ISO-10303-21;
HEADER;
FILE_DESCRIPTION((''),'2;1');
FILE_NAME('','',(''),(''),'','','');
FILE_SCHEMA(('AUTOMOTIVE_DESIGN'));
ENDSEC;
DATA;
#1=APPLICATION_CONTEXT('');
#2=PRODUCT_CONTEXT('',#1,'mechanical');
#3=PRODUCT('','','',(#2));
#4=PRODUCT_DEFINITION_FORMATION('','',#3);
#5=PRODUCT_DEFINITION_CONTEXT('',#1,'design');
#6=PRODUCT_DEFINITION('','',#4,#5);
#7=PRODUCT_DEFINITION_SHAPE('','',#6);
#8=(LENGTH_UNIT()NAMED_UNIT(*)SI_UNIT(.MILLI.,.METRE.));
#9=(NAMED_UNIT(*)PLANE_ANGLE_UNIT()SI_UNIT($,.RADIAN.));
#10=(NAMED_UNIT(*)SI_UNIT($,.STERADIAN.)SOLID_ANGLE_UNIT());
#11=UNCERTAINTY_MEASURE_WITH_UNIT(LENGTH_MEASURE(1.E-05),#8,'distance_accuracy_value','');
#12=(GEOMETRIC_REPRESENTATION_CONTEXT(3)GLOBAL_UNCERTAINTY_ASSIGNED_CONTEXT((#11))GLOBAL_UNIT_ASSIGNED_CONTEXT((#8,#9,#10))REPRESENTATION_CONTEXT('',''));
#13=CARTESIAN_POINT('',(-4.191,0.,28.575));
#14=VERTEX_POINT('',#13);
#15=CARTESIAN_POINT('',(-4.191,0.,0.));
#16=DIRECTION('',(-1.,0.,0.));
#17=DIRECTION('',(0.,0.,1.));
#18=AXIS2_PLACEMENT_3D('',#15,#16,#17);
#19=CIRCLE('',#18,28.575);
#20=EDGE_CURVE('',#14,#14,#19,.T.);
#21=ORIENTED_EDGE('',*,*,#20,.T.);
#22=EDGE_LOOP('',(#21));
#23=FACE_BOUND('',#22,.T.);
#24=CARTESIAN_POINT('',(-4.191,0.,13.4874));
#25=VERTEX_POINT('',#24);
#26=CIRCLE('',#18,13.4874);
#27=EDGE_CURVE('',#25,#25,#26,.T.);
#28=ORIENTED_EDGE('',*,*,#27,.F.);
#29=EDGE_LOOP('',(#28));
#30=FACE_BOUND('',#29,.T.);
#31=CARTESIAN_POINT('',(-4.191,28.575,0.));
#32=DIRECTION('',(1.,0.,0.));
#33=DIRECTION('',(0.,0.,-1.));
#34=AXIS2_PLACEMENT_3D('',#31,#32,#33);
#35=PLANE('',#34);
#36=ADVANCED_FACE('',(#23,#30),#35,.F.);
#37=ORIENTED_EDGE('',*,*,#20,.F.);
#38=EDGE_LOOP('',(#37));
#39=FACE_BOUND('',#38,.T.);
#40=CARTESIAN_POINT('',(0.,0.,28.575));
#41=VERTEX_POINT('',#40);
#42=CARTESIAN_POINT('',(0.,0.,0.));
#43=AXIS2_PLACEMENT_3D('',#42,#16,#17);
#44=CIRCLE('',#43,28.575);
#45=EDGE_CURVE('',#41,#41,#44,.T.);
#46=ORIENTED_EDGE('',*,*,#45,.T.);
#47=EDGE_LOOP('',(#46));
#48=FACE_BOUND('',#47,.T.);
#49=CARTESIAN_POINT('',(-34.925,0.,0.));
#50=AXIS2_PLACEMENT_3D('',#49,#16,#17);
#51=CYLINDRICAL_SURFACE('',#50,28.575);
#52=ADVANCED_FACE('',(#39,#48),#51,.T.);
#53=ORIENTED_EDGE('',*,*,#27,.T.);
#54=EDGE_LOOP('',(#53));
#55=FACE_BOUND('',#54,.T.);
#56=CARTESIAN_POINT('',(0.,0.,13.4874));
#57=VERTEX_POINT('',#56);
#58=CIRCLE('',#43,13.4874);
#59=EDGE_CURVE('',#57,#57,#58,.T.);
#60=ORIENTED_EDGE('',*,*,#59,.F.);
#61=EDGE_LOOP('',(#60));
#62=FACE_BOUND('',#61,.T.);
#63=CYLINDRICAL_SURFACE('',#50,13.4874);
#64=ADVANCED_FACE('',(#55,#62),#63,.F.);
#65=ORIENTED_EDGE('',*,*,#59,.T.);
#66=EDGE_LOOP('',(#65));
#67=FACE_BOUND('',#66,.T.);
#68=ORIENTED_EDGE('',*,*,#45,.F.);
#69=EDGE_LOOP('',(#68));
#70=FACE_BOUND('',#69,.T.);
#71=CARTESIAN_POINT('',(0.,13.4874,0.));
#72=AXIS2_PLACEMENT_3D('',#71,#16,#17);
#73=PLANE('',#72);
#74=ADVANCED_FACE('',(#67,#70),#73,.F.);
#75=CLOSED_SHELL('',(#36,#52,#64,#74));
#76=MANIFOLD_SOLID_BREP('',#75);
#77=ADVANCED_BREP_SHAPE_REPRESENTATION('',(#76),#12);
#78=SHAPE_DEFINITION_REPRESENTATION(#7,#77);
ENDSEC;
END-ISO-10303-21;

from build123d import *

# Parameters (mm, degrees)
SKETCH1_W = 4.191
SKETCH1_H = 15.0876


with BuildPart() as part:
    # Sketch1 → Base-Revolve (revolve)
    with BuildSketch(Plane.XY, mode=Mode.PRIVATE) as base_revolve_sk:
        with Locations((-2.0955, 21.0312)):
            Rectangle(SKETCH1_W, SKETCH1_H)
    revolve(base_revolve_sk.sketch.rotate(Axis((-34.925, 0, 0), (1, 0, 0)), 90), axis=Axis((-34.925, 0, 0), (1, 0, 0)))


solid = part.part
